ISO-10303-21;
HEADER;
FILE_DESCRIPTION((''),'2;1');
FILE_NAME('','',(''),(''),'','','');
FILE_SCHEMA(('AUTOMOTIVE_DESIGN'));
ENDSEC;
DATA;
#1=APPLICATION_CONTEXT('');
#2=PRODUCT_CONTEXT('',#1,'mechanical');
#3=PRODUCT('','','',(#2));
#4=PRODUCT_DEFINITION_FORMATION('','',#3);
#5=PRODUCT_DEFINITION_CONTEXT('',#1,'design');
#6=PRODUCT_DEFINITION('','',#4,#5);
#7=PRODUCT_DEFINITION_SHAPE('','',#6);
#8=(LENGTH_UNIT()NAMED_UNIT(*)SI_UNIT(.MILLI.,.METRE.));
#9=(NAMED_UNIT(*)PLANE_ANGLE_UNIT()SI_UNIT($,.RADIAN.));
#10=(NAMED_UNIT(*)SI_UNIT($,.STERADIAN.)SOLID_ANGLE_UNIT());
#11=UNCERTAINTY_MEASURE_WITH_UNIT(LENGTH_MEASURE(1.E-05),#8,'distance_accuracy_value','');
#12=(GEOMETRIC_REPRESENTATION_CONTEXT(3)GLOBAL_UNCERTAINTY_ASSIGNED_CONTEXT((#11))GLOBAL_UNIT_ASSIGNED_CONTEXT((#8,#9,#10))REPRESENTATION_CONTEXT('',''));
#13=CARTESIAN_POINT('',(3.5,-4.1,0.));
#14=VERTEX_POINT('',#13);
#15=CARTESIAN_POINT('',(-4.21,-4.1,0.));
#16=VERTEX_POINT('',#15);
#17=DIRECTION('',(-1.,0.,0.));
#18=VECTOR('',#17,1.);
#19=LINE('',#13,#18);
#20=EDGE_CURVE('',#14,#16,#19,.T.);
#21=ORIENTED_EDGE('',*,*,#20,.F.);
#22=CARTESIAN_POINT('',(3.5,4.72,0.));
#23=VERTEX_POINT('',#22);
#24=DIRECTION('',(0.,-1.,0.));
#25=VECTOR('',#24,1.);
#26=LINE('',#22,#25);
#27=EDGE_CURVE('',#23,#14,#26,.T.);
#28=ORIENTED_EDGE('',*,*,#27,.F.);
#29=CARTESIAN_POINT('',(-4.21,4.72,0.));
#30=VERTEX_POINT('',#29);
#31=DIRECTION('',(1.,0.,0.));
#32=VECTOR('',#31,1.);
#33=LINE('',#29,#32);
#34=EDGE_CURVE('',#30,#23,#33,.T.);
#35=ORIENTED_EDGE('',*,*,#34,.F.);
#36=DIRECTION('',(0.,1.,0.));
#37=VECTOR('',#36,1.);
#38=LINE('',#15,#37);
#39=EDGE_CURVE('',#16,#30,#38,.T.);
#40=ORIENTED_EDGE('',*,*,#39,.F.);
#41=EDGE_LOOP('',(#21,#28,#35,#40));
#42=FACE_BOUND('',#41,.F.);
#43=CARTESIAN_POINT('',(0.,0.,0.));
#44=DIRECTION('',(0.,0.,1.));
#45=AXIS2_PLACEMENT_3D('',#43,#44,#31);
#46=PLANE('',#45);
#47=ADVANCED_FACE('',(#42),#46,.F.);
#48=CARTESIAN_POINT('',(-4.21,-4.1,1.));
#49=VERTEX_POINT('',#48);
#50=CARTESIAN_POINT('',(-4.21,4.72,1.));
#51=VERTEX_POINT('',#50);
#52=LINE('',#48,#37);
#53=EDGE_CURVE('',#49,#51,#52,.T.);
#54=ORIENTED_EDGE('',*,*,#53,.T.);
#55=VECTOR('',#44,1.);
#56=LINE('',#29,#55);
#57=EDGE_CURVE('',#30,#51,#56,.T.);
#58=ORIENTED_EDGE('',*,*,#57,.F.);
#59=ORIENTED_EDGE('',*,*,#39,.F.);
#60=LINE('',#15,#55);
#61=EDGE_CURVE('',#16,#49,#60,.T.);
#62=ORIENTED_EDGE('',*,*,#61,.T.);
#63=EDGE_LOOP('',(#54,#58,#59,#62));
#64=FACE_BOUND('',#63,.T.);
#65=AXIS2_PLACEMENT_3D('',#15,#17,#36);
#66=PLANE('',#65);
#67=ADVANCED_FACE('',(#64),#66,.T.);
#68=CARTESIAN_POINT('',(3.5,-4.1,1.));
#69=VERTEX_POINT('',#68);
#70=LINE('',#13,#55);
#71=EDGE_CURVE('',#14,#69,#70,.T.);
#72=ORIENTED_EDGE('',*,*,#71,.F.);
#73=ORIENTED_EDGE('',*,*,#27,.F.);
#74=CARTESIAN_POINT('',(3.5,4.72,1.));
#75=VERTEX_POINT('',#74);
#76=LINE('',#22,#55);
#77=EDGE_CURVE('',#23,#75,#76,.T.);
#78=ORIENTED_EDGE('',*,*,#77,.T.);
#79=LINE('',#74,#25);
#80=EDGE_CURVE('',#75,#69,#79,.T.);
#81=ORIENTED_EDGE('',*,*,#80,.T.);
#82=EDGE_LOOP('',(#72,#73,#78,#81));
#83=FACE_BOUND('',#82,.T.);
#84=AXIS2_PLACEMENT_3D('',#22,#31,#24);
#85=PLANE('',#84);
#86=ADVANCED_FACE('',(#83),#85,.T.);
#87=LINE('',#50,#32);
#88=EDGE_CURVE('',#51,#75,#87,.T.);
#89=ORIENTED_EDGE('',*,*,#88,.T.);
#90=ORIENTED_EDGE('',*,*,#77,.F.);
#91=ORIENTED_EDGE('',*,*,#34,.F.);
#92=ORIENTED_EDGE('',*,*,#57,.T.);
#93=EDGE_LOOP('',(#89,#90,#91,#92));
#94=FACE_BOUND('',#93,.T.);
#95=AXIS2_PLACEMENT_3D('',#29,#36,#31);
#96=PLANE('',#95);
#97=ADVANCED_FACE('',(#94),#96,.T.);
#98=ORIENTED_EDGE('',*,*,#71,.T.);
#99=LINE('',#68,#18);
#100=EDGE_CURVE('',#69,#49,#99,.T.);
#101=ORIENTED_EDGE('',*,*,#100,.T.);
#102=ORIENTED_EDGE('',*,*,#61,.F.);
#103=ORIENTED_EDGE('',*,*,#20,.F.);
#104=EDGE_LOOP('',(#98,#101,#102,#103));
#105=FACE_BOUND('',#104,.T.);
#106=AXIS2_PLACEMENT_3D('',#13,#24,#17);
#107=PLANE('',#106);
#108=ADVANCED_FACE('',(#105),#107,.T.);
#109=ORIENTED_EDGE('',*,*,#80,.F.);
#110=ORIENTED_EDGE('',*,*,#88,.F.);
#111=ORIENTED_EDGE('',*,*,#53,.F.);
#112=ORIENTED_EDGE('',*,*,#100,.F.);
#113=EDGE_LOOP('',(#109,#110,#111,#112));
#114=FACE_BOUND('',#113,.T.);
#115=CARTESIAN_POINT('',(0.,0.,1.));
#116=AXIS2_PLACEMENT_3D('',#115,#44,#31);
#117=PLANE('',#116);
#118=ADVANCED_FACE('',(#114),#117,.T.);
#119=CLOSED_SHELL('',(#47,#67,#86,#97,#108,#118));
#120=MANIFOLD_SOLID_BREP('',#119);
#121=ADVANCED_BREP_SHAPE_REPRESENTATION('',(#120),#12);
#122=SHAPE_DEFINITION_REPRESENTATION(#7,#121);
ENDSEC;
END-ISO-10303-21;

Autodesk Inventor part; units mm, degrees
ref_plane "YZ Plane" through (0, 0, 0) normal (1, 0, 0) x (0, 1, 0)
ref_plane "XZ Plane" through (0, 0, 0) normal (0, 1, 0) x (-1, 0, 0)
ref_plane "XY Plane" through (0, 0, 0) normal (0, 0, 1) x (1, 0, 0)
sketch "TSSOP24, SN74AVC8T245_12" plane through (0, 0, 0) normal (0, 0, 1) x (1, 0, 0)
  line L0 (-4.21, -4.1) -> (-4.21, 4.72)
  line L1 (-4.21, 4.72) -> (3.5, 4.72)
  line L2 (3.5, 4.72) -> (3.5, -4.1)
  line L3 (3.5, -4.1) -> (-4.21, -4.1)
extrude "Extrusion1" add sketch "TSSOP24, SN74AVC8T245_12" along normal blind 1
properties part number "SN74AVC8T245"
